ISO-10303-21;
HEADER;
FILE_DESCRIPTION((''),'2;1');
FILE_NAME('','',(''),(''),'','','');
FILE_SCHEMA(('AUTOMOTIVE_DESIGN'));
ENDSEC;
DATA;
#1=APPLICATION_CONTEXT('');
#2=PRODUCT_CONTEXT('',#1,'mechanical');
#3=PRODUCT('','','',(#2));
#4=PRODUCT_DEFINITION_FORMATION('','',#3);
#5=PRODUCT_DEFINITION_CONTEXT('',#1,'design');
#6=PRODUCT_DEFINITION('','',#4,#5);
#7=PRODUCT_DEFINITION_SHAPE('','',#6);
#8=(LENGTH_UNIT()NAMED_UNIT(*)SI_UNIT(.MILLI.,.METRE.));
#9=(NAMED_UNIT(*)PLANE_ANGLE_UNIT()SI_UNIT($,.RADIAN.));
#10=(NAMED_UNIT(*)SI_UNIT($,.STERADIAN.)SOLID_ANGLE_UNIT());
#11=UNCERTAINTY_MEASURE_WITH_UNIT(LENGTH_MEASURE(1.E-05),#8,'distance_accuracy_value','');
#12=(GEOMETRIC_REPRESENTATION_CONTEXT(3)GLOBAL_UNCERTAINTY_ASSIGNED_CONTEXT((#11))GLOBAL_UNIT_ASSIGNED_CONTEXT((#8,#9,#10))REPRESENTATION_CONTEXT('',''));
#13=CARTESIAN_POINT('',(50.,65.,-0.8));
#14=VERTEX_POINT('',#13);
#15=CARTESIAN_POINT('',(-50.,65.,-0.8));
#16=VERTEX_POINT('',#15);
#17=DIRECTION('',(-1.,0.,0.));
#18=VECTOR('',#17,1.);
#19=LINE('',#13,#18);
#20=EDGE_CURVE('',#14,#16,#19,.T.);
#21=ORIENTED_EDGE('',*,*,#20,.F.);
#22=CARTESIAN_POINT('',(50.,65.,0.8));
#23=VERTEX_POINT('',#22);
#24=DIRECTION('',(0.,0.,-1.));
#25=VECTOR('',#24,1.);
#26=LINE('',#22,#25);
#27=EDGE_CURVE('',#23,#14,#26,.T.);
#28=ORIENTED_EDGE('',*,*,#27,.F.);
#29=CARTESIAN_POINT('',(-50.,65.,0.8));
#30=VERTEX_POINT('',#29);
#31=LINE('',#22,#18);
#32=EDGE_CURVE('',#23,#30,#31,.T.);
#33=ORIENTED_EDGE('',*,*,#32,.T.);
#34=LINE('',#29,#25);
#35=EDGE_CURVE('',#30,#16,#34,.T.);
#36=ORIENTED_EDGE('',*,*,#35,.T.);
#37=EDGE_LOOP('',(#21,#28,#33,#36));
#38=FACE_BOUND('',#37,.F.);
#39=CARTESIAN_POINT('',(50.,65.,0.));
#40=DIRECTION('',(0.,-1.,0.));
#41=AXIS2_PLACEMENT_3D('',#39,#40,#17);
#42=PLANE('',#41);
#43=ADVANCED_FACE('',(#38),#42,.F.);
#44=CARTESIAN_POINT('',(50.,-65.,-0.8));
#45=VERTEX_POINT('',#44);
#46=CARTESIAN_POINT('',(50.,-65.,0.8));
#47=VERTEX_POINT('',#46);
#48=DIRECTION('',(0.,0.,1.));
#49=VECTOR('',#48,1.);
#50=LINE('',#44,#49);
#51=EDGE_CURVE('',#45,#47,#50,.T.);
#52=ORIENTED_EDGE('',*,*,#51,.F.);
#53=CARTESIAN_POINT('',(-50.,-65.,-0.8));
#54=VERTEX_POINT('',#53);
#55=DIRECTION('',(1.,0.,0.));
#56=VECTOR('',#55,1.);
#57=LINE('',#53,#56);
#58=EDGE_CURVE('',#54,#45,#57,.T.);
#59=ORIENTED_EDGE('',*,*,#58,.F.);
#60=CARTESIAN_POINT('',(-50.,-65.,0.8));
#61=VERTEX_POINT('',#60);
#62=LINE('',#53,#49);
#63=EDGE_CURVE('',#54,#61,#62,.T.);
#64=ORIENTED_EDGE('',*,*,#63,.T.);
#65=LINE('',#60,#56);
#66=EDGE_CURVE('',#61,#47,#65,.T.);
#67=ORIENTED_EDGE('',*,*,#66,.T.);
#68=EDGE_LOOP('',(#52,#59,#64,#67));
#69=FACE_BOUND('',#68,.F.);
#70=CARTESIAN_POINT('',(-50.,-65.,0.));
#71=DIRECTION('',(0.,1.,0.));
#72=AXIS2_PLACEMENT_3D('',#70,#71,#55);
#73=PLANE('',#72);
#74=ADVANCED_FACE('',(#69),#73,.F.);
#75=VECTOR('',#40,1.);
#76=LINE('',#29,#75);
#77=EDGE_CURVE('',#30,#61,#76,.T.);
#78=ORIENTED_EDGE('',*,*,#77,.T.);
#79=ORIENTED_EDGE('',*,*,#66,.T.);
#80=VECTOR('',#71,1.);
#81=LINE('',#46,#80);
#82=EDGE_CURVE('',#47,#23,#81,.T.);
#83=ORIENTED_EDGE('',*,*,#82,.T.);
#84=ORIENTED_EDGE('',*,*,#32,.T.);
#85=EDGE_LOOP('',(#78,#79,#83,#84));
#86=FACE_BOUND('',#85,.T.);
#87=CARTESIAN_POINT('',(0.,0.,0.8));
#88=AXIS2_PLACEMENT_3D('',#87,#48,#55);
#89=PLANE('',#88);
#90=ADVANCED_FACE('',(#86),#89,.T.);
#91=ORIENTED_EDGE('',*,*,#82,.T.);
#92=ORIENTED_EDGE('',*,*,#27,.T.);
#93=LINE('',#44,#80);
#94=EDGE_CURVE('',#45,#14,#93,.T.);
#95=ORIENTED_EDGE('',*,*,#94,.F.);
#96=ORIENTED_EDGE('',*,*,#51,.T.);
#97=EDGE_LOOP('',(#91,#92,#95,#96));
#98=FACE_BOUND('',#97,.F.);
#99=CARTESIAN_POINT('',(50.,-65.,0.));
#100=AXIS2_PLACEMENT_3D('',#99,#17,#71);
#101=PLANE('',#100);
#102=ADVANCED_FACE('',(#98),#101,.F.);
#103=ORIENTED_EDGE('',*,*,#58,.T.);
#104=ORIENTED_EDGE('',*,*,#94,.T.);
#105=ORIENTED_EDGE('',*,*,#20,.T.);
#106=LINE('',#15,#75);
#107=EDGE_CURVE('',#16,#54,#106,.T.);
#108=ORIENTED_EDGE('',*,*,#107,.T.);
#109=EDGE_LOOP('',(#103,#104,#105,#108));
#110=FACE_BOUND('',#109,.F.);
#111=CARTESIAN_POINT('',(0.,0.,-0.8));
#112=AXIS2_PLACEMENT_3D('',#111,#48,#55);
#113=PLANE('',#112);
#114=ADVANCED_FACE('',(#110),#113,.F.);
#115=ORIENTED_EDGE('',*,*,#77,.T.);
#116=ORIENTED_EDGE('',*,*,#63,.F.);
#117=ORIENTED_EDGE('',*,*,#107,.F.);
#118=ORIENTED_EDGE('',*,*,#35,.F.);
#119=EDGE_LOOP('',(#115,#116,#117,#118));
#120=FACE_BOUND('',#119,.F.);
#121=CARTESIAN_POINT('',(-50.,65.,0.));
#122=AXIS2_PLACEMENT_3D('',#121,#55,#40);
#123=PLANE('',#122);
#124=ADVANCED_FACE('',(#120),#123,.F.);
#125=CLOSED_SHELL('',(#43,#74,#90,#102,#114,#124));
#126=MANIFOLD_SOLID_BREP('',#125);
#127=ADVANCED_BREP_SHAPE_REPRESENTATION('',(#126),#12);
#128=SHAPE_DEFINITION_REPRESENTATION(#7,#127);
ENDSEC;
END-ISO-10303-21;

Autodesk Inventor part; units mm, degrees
ref_plane "YZ Plane" through (0, 0, 0) normal (1, 0, 0) x (0, 1, 0)
ref_plane "XZ Plane" through (0, 0, 0) normal (0, 1, 0) x (-1, 0, 0)
ref_plane "XY Plane" through (0, 0, 0) normal (0, 0, 1) x (1, 0, 0)
sketch "Sketch1" plane through (0, 0, 0) normal (0, 0, 1) x (1, 0, 0)
  line L0 (-50, -65) -> (50, -65)
  line L1 (50, -65) -> (50, 65)
  line L2 (50, 65) -> (-50, 65)
  line L3 (-50, 65) -> (-50, -65)
  line L4 (-50, -65) -> (50, 65) construction
  line L5 (50, -65) -> (-50, 65) construction
  point P0 (0, 0)
  dimension "d0" = 100
  dimension "d1" = 130
extrude "Extrusion1" add sketch "Sketch1" along normal mid plane 1.6
properties part number "ElectronicLoad_PCB"
